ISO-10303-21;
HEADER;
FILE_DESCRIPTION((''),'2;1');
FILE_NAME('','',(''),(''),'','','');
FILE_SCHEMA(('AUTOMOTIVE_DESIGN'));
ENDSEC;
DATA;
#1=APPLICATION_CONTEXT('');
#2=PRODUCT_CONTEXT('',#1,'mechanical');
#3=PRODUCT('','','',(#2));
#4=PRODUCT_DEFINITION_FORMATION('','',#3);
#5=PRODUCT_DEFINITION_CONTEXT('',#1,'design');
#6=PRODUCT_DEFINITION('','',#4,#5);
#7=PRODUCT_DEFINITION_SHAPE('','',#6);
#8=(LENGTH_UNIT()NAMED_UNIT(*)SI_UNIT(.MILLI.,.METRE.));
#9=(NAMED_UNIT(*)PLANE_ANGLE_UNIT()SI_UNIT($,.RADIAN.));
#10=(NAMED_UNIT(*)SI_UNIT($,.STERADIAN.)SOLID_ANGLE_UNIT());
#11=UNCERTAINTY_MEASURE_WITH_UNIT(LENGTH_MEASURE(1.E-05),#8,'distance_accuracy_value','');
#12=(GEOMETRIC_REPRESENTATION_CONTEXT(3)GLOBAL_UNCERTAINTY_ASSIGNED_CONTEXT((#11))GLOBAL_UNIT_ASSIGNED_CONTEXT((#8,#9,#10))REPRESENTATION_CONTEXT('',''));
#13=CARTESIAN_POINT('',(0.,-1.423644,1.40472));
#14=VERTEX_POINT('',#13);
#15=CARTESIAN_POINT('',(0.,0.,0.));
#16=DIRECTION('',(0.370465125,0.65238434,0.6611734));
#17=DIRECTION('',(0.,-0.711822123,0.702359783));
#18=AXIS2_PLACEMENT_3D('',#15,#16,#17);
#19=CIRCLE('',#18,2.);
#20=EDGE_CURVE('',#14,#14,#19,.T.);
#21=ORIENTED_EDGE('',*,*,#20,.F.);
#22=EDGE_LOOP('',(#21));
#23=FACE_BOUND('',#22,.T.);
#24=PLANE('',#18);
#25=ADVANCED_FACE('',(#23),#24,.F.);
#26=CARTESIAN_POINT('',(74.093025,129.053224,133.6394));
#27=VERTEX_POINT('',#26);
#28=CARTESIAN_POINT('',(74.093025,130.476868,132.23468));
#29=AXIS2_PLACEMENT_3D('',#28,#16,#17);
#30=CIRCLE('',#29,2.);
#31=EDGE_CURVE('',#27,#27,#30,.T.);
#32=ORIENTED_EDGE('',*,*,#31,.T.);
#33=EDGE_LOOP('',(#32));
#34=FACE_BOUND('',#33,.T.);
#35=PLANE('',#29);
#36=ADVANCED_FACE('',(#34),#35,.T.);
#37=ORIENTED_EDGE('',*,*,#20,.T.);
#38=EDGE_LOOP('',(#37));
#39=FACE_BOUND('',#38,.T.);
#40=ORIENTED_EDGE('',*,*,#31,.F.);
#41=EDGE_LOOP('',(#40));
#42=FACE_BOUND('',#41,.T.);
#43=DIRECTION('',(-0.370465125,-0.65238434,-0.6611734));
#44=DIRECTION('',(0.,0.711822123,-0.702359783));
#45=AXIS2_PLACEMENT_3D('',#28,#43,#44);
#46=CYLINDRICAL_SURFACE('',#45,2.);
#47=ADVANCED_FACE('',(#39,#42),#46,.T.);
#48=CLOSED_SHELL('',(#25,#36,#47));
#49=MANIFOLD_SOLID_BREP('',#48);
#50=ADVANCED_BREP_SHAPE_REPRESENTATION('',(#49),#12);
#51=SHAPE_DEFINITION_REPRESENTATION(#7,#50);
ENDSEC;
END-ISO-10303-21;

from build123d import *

# Parameters (mm, degrees)
SZKIC1_2_R                  = 2
DODANIE_WYCI_GNI_CIE2_DEPTH = 200


with BuildPart() as part:
    # Szkic1_2 → Dodanie-wyci_gni_cie2 (new body)
    with BuildSketch(Plane(origin=(0, 0, 0), x_dir=(0.541510579, 0.426644859, -0.724389713), z_dir=(0.370465125, 0.65238434, 0.6611734))):
        with Locations(Location((0, 0, 0), (0, 0, 215.661303804))):  # turned: the seam where the file's is
            Circle(SZKIC1_2_R)
    extrude(amount=DODANIE_WYCI_GNI_CIE2_DEPTH)


solid = part.part
